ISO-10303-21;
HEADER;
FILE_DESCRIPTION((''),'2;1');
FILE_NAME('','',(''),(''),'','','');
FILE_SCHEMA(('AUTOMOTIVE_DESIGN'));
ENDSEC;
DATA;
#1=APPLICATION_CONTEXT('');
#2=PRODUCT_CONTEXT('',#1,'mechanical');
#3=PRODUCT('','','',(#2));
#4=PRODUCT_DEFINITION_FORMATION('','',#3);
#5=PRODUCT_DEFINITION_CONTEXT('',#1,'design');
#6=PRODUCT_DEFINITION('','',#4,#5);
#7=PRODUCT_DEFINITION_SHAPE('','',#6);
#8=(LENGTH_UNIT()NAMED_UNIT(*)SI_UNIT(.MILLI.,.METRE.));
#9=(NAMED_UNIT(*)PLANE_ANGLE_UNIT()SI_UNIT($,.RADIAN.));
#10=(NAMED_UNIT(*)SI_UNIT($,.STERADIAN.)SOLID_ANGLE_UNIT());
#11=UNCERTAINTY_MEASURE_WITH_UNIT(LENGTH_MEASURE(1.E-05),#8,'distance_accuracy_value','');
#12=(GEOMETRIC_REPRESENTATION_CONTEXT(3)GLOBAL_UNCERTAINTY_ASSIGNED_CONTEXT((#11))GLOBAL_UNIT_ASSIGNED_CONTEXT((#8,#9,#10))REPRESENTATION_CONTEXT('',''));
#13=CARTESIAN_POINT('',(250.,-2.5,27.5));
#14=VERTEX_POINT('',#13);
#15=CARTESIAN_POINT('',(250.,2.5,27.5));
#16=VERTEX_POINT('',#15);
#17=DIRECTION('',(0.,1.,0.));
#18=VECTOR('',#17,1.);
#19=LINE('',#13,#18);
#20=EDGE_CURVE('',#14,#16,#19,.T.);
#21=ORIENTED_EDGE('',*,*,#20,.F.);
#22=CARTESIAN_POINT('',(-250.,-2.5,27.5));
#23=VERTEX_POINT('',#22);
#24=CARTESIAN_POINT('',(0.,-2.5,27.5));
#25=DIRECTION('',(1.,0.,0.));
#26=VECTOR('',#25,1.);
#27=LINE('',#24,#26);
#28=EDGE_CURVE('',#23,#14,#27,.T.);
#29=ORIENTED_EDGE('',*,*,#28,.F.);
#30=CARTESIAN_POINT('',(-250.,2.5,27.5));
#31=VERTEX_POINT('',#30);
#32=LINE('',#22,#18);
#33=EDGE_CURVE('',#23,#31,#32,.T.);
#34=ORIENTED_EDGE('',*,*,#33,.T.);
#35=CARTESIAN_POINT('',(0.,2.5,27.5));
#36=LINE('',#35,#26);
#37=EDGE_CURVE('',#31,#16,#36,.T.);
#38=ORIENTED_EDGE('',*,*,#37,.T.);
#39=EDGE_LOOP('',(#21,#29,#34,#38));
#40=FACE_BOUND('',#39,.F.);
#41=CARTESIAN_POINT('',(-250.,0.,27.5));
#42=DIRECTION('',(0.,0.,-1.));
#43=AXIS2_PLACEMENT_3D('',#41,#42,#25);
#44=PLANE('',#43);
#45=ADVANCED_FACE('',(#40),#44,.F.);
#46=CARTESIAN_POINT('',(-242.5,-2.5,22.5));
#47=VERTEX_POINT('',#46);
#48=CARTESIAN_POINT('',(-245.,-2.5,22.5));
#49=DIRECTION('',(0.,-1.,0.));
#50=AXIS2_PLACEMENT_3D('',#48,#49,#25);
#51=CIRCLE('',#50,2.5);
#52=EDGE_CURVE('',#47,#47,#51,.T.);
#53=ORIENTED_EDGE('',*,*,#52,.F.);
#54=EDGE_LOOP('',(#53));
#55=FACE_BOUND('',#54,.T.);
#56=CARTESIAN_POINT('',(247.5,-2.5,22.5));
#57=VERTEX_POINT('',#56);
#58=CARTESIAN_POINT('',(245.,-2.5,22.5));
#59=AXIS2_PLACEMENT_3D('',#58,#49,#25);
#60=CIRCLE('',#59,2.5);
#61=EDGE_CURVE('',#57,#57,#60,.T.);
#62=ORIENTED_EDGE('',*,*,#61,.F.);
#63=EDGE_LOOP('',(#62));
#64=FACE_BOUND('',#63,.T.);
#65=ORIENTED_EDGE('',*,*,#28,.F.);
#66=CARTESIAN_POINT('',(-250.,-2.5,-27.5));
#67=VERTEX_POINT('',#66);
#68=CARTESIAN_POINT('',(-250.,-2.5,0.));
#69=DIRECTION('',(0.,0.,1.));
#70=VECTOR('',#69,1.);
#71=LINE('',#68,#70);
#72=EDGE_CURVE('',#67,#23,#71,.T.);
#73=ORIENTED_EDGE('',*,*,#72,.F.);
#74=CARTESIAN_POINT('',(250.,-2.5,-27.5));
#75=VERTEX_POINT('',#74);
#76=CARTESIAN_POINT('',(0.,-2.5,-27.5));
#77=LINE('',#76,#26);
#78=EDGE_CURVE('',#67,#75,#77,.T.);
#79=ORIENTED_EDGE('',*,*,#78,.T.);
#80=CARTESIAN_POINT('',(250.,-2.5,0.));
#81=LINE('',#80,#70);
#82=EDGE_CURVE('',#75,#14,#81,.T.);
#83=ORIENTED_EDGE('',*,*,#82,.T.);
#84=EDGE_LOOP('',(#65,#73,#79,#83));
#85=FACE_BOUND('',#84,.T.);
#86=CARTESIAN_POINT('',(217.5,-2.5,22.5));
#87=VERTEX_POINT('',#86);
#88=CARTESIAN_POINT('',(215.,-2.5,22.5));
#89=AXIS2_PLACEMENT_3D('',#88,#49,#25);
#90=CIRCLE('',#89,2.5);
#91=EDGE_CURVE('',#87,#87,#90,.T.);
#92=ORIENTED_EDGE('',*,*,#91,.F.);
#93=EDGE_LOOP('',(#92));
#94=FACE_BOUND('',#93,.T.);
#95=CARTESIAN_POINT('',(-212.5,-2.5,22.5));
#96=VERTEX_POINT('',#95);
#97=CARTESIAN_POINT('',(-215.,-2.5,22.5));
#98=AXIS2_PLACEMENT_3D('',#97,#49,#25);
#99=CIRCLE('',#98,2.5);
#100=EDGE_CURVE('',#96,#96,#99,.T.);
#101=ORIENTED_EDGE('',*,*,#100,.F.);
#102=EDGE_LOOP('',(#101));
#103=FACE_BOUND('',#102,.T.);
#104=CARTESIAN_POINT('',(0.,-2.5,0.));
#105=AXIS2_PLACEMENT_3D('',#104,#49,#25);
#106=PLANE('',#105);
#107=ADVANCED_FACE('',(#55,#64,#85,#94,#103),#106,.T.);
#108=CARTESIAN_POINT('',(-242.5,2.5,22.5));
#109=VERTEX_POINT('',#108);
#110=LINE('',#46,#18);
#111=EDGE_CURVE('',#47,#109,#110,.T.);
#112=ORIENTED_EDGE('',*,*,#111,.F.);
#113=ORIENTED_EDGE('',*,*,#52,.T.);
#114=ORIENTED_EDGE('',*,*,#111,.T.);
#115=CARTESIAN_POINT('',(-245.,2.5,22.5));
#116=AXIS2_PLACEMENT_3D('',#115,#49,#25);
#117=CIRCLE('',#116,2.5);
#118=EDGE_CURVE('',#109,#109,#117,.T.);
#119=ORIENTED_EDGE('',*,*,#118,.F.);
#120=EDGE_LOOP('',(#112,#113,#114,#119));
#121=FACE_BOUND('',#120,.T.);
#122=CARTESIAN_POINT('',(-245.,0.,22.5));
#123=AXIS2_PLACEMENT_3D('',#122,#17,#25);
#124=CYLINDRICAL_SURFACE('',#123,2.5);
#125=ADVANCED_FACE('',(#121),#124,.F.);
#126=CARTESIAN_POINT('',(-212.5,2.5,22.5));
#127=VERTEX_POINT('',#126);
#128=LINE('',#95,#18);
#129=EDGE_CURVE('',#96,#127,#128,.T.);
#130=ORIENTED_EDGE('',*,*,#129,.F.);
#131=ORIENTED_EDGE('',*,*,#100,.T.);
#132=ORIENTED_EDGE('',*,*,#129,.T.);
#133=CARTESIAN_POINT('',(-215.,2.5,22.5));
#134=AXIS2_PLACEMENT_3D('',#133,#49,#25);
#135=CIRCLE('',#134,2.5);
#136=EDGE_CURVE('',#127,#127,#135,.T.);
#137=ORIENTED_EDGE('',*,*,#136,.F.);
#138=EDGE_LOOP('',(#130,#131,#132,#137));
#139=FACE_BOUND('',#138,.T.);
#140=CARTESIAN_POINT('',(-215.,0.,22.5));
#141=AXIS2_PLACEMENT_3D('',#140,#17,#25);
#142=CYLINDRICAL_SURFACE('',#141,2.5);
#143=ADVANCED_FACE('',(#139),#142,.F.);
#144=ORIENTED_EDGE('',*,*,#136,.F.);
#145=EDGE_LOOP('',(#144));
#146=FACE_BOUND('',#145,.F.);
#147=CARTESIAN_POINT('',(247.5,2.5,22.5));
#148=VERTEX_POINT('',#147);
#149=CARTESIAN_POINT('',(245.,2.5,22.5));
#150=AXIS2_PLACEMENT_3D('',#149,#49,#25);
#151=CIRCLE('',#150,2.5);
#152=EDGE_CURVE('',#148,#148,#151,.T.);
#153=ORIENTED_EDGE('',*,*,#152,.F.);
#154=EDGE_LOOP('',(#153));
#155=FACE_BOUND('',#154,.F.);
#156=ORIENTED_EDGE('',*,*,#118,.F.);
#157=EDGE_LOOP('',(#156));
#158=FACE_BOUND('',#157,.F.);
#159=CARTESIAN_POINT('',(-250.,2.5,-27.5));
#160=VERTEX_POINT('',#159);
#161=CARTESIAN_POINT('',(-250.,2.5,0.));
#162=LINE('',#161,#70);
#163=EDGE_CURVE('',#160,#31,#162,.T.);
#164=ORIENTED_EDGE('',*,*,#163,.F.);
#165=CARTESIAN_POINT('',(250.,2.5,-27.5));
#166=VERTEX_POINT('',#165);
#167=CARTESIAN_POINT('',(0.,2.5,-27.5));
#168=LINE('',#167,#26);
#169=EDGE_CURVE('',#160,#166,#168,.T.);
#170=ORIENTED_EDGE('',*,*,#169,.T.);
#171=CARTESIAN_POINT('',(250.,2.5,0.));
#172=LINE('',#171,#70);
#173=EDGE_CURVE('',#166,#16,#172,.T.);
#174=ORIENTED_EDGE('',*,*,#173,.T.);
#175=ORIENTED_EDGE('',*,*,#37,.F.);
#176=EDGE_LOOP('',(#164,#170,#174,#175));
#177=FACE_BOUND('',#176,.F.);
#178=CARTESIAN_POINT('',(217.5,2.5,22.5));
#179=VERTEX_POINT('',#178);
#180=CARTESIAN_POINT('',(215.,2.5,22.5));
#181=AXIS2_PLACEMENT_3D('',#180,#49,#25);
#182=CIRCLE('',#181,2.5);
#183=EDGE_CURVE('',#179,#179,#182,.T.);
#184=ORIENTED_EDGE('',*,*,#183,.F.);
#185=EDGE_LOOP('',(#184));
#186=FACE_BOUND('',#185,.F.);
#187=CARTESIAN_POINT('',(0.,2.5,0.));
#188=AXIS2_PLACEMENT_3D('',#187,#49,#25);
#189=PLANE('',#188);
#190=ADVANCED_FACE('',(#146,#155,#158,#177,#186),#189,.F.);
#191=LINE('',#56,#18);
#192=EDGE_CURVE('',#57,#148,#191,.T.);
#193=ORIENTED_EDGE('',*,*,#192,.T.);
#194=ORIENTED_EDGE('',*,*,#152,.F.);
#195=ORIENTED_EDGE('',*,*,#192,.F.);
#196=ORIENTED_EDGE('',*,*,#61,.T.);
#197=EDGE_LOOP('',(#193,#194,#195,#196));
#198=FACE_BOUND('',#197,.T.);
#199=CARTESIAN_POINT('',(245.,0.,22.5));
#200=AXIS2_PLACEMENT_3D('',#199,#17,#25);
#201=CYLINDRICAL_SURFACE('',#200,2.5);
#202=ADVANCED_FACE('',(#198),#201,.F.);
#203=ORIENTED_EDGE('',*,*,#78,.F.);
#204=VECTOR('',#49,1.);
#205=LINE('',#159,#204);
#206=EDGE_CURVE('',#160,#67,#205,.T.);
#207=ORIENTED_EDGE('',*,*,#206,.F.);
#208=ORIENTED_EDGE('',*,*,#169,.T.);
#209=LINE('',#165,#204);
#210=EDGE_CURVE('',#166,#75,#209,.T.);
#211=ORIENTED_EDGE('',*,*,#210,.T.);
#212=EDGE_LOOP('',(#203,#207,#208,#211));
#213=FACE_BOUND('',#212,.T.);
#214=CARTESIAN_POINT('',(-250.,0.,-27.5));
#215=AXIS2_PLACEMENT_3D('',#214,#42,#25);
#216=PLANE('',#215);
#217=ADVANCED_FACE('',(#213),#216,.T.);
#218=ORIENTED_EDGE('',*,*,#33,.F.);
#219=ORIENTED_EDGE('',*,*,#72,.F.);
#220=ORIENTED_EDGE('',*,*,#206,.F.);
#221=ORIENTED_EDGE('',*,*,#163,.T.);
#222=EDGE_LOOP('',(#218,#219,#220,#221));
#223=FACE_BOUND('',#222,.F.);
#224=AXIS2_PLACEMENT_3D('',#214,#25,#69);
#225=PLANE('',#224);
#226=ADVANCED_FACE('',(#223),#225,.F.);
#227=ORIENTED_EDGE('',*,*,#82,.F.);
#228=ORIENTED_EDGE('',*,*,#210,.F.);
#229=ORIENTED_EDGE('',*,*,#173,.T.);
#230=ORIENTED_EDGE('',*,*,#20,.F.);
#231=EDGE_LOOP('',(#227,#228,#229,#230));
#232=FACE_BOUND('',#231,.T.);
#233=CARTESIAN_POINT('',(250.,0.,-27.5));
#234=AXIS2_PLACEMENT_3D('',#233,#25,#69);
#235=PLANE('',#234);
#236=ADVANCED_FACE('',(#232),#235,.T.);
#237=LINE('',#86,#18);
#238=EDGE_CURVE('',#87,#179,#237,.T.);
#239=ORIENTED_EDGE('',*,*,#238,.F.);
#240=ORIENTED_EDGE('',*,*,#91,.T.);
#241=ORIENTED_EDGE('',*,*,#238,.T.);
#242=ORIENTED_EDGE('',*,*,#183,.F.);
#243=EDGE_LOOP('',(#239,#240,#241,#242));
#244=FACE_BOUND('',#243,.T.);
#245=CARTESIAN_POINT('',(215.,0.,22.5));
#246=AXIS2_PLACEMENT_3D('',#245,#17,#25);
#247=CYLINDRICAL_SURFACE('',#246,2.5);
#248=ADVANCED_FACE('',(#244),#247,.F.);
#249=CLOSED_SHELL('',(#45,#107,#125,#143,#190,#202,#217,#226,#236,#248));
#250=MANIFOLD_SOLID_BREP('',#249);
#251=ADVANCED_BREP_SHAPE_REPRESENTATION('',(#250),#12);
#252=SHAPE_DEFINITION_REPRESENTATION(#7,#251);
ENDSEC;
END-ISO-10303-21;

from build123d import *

# Parameters (mm, degrees)
F0_W     = 500
F0_H     = 55
F0_R     = 2.5
F1_DEPTH = 2.5


with BuildPart() as f1:
    # F0 (on Front) → F1 (new body, symmetric)
    with BuildSketch(Plane.XZ):
        Rectangle(F0_W, F0_H)
        with Locations((-245, 22.5)):
            Circle(F0_R, mode=Mode.SUBTRACT)
        with Locations((-215, 22.5)):
            Circle(F0_R, mode=Mode.SUBTRACT)
        with Locations((215, 22.5)):
            Circle(F0_R, mode=Mode.SUBTRACT)
        with Locations((245, 22.5)):
            Circle(F0_R, mode=Mode.SUBTRACT)
    extrude(amount=F1_DEPTH, both=True)


solid = f1.part
